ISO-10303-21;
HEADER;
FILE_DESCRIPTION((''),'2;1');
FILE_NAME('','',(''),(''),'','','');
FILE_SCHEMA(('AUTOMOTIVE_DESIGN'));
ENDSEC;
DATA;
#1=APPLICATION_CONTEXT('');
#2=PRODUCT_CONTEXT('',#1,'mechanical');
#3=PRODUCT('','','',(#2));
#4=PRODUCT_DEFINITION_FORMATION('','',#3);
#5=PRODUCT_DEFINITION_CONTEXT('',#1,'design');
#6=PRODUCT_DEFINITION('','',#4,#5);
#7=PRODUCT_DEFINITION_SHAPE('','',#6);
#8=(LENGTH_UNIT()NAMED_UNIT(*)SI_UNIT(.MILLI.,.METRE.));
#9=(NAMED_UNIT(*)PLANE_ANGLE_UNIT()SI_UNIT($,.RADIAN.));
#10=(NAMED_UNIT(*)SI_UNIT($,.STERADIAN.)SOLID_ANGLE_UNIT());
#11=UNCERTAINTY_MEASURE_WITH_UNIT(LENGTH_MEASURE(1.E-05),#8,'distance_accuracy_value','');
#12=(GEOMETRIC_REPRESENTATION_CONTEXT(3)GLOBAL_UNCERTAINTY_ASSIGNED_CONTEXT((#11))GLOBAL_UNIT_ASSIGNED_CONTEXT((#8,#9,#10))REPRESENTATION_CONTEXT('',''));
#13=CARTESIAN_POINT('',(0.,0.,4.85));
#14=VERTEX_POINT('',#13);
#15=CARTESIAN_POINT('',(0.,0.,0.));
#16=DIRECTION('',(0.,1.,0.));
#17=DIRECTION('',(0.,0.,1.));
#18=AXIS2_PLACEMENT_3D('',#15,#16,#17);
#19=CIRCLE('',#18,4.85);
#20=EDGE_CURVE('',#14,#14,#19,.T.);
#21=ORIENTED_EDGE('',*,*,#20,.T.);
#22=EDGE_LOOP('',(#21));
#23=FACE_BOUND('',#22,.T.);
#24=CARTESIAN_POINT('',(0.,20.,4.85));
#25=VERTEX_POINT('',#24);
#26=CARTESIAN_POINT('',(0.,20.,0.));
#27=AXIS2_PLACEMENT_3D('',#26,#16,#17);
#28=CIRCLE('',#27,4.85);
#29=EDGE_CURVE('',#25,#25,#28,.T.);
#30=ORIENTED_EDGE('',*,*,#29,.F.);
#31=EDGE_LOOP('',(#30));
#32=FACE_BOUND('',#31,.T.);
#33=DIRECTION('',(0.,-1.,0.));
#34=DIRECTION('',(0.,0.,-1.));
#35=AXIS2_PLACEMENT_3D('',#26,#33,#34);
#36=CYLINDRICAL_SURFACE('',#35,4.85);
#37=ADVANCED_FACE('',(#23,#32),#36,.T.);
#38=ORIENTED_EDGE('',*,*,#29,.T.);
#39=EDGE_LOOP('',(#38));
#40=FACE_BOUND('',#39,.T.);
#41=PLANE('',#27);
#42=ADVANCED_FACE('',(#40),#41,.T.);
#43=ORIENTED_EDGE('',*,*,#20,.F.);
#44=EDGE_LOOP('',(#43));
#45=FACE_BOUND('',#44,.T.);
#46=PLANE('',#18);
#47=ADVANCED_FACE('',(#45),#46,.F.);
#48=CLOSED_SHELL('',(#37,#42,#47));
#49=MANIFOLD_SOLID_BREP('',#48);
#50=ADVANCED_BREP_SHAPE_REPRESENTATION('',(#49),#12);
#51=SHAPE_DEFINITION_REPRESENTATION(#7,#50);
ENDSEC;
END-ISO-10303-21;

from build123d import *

# Parameters (mm, degrees)
SKETCH_1_R      = 4.85
EXTRUDE_1_DEPTH = 20


with BuildPart() as part:
    # 草图1 → 凸台-拉伸1 (new body)
    with BuildSketch(Plane(origin=(0, 0, 0), x_dir=(1, 0, 0), z_dir=(0, 1, 0))):
        with Locations(Location((0, 0, 0), (0, 0, 270))):
            Circle(SKETCH_1_R)
    extrude(amount=EXTRUDE_1_DEPTH)


solid = part.part
